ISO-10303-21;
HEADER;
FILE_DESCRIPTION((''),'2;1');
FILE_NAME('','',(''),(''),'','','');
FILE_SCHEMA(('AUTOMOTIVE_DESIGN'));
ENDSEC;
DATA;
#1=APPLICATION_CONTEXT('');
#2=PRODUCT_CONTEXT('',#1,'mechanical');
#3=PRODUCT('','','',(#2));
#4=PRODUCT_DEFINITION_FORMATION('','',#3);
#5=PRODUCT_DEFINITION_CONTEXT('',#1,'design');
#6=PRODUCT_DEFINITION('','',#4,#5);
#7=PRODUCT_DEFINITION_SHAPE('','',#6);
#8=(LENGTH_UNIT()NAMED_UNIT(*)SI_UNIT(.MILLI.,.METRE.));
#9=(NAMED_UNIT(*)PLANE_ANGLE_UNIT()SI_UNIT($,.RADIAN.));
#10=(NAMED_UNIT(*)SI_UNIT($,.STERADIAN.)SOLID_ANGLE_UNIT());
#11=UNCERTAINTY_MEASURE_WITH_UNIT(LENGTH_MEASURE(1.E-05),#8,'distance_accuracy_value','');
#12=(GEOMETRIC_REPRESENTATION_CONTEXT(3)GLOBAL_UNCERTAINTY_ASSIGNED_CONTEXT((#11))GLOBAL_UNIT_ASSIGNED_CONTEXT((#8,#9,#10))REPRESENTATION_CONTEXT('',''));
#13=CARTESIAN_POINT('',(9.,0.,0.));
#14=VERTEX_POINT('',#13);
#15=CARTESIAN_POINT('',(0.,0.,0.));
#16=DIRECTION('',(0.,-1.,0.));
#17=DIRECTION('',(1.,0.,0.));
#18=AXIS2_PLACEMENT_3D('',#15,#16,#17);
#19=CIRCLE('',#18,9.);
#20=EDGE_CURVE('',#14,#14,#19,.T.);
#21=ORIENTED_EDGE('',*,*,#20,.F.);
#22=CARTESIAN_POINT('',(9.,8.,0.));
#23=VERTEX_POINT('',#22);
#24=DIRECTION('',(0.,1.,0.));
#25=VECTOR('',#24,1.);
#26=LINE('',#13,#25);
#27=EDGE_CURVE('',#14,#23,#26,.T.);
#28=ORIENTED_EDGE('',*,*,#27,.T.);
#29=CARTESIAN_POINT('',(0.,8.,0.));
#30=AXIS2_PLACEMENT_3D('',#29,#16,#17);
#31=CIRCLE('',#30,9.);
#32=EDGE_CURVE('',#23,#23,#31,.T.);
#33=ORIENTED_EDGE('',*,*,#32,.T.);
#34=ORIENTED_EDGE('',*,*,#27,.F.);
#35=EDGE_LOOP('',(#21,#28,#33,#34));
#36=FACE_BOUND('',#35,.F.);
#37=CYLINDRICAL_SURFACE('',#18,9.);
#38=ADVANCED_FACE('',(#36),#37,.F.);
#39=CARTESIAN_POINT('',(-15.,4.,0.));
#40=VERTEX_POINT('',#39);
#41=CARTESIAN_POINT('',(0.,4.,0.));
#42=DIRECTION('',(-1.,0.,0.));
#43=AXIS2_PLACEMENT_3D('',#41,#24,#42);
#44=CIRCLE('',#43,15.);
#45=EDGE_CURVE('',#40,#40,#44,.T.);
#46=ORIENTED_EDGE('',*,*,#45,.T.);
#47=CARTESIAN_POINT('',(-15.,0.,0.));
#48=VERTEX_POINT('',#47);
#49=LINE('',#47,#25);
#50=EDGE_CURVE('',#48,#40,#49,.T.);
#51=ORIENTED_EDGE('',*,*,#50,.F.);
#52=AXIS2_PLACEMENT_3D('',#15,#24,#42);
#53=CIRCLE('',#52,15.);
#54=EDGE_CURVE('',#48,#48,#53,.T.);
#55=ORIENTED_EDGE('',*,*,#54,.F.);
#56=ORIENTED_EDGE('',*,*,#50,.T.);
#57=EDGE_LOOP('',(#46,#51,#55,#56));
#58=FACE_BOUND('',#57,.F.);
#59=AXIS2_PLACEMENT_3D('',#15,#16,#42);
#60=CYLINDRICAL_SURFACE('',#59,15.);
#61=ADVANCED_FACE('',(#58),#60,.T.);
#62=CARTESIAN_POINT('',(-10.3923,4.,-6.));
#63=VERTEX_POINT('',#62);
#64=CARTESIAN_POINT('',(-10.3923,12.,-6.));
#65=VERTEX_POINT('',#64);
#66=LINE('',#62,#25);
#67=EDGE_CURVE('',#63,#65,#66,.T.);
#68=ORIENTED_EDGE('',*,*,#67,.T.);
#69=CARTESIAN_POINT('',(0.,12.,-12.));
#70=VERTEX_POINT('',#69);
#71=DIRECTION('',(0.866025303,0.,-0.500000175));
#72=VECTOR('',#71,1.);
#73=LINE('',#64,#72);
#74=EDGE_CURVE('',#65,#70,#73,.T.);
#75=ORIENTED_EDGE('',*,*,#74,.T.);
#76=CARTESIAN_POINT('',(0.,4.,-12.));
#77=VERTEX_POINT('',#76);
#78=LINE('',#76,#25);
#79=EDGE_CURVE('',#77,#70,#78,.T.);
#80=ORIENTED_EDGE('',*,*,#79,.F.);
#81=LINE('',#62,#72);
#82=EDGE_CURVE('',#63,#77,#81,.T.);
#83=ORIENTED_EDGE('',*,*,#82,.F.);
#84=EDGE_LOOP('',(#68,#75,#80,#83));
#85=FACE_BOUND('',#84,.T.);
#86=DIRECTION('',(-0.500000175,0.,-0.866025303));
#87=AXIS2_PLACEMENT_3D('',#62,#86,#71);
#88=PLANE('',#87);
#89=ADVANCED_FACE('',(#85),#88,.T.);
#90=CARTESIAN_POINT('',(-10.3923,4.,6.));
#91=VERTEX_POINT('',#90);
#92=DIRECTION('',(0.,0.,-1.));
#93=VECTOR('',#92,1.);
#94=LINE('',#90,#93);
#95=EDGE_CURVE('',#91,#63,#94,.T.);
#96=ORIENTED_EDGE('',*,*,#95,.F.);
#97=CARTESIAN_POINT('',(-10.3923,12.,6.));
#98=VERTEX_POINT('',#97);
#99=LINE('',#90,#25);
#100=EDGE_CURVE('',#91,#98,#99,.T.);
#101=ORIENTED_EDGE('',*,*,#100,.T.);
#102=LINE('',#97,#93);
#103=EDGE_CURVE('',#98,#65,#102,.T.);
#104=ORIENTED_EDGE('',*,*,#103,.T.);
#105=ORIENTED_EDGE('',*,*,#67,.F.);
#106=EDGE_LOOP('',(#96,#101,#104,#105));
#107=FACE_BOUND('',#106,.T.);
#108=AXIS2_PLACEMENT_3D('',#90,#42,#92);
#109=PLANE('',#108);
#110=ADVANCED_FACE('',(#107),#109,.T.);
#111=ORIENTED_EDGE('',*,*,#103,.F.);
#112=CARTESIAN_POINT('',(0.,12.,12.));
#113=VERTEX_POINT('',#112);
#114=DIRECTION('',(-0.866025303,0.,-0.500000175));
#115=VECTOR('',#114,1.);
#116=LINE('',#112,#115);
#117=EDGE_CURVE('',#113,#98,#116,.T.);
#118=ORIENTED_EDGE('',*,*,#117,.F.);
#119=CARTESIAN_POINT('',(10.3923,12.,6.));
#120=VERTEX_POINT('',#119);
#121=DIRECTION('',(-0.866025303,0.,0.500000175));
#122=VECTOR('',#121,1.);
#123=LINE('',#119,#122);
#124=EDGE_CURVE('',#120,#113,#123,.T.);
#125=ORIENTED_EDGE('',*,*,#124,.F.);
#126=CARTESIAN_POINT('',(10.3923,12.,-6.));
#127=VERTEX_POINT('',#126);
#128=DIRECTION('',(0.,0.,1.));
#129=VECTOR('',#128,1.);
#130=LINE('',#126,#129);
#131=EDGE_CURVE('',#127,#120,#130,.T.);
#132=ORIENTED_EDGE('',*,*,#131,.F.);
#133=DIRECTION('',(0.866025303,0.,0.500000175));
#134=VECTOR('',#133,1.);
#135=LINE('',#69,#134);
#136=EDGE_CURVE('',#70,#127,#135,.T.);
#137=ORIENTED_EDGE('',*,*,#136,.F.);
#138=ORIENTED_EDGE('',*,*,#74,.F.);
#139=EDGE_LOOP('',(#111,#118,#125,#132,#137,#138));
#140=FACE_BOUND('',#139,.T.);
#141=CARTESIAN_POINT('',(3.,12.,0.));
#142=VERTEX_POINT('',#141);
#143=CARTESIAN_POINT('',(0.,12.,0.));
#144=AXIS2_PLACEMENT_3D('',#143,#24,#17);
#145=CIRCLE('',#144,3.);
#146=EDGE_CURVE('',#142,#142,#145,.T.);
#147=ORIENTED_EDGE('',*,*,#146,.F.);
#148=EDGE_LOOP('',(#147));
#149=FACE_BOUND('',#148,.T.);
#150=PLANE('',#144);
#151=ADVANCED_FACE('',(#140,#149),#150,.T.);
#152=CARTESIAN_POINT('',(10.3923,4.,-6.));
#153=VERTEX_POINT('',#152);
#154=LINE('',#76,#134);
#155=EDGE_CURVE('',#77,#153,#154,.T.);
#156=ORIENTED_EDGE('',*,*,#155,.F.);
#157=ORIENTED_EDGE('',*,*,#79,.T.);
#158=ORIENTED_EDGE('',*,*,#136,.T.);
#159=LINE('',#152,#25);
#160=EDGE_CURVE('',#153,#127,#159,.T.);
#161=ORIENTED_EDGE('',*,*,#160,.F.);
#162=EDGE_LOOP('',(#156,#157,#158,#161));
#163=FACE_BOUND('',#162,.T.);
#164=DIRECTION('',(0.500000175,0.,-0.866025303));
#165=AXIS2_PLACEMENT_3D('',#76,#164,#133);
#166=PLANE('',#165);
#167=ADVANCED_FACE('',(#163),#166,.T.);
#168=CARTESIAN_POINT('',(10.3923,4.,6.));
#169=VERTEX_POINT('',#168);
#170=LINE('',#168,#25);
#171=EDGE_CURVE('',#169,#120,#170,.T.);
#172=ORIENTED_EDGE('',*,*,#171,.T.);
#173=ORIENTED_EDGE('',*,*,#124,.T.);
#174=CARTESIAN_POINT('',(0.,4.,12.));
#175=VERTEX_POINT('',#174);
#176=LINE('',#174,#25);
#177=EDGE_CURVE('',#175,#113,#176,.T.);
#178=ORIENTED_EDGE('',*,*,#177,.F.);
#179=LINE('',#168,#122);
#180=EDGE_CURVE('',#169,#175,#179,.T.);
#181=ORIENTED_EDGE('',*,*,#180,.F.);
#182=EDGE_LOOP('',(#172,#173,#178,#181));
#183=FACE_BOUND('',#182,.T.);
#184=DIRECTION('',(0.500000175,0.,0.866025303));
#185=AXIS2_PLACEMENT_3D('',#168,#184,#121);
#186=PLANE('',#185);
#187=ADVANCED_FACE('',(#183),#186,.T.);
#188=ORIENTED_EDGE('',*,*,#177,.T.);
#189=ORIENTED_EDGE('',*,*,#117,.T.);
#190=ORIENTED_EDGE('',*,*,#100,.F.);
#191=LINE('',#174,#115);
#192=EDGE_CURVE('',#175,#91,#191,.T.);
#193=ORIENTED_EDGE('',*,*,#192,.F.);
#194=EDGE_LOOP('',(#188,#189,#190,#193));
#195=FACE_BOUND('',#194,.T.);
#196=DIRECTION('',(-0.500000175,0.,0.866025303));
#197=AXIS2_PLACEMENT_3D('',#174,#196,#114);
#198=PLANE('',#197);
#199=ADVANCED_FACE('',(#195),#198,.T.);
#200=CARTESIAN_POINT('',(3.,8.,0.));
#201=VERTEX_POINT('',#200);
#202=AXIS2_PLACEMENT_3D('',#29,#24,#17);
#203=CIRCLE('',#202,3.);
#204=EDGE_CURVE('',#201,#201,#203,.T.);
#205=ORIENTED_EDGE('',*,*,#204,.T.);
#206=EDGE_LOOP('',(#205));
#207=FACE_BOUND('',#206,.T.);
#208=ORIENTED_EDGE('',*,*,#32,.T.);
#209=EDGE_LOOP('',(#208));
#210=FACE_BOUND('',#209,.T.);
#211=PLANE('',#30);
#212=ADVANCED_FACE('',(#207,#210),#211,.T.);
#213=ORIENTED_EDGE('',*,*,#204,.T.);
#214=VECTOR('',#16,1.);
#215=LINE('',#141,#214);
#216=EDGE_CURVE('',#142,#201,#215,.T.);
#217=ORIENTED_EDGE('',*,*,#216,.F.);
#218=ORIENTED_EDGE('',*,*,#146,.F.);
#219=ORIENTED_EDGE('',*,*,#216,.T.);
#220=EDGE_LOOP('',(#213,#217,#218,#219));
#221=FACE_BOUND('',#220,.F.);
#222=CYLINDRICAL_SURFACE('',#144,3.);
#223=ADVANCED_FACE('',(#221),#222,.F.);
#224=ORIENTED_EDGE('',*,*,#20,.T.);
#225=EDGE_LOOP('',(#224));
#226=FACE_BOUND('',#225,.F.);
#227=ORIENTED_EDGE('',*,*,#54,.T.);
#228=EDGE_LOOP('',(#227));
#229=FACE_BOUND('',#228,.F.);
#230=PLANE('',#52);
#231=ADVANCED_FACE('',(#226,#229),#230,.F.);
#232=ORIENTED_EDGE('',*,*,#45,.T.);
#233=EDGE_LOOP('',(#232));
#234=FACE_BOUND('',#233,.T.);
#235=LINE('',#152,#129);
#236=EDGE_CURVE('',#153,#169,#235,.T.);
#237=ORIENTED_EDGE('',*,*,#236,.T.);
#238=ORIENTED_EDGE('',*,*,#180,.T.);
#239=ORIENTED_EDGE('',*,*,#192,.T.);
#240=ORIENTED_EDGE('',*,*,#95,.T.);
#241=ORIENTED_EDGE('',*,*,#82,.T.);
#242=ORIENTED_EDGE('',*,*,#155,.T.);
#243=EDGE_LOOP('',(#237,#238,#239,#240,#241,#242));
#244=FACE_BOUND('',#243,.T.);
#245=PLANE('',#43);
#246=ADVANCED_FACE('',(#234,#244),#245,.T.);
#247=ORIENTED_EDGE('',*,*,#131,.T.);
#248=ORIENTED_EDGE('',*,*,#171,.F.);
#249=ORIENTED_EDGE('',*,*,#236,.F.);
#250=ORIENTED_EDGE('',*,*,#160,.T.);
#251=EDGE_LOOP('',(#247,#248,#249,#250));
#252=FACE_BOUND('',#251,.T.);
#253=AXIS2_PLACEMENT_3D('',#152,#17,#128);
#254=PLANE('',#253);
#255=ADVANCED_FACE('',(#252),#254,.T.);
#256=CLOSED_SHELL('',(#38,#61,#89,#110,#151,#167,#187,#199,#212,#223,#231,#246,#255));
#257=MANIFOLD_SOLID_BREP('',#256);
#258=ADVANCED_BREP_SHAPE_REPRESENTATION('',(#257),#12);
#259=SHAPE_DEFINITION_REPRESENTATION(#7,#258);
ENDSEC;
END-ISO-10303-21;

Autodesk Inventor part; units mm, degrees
ref_plane "YZ Plane" through (0, 0, 0) normal (1, 0, 0) x (0, 1, 0)
ref_plane "XZ Plane" through (0, 0, 0) normal (0, 1, 0) x (-1, 0, 0)
ref_plane "XY Plane" through (0, 0, 0) normal (0, 0, 1) x (1, 0, 0)
sketch "Boceto1" plane through (0, 0, 0) normal (0, 1, 0) x (-1, 0, 0)
  circle A0 centre (0, 0) radius 15
  dimension "d0" = 30
extrude "Extrusión1" add sketch "Boceto1" along normal blind 4
sketch "Boceto2" plane through (0, 4, 0) normal (0, 1, 0) x (1, 0, 0)
  line L0 (10.3923, 6) -> (10.3923, -6)
  line L1 (10.3923, -6) -> (0, -12)
  line L2 (0, -12) -> (-10.3923, -6)
  line L3 (-10.3923, -6) -> (-10.3923, 6)
  line L4 (-10.3923, 6) -> (0, 12)
  line L5 (0, 12) -> (10.3923, 6)
  point P0 (0, 0)
  point P1 (0, 0)
  point P2 (10.3923, 0)
  dimension "d3" = 12
extrude "Extrusión2" add sketch "Boceto2" along normal blind 8
sketch "Boceto3" plane through (0, 0, 0) normal (0, -1, 0) x (1, 0, 0)
  circle A0 centre (0, 0) radius 9
  dimension "d6" = 18
extrude "Extrusión3" cut sketch "Boceto3" against normal blind 8
sketch "Boceto4" plane through (0, 12, 0) normal (0, 1, 0) x (1, 0, 0)
  circle A0 centre (0, 0) radius 3
  dimension "d9" = 6
extrude "Extrusión4" cut sketch "Boceto4" against normal up to next
properties part number "shocks_mover" material "Goma"
